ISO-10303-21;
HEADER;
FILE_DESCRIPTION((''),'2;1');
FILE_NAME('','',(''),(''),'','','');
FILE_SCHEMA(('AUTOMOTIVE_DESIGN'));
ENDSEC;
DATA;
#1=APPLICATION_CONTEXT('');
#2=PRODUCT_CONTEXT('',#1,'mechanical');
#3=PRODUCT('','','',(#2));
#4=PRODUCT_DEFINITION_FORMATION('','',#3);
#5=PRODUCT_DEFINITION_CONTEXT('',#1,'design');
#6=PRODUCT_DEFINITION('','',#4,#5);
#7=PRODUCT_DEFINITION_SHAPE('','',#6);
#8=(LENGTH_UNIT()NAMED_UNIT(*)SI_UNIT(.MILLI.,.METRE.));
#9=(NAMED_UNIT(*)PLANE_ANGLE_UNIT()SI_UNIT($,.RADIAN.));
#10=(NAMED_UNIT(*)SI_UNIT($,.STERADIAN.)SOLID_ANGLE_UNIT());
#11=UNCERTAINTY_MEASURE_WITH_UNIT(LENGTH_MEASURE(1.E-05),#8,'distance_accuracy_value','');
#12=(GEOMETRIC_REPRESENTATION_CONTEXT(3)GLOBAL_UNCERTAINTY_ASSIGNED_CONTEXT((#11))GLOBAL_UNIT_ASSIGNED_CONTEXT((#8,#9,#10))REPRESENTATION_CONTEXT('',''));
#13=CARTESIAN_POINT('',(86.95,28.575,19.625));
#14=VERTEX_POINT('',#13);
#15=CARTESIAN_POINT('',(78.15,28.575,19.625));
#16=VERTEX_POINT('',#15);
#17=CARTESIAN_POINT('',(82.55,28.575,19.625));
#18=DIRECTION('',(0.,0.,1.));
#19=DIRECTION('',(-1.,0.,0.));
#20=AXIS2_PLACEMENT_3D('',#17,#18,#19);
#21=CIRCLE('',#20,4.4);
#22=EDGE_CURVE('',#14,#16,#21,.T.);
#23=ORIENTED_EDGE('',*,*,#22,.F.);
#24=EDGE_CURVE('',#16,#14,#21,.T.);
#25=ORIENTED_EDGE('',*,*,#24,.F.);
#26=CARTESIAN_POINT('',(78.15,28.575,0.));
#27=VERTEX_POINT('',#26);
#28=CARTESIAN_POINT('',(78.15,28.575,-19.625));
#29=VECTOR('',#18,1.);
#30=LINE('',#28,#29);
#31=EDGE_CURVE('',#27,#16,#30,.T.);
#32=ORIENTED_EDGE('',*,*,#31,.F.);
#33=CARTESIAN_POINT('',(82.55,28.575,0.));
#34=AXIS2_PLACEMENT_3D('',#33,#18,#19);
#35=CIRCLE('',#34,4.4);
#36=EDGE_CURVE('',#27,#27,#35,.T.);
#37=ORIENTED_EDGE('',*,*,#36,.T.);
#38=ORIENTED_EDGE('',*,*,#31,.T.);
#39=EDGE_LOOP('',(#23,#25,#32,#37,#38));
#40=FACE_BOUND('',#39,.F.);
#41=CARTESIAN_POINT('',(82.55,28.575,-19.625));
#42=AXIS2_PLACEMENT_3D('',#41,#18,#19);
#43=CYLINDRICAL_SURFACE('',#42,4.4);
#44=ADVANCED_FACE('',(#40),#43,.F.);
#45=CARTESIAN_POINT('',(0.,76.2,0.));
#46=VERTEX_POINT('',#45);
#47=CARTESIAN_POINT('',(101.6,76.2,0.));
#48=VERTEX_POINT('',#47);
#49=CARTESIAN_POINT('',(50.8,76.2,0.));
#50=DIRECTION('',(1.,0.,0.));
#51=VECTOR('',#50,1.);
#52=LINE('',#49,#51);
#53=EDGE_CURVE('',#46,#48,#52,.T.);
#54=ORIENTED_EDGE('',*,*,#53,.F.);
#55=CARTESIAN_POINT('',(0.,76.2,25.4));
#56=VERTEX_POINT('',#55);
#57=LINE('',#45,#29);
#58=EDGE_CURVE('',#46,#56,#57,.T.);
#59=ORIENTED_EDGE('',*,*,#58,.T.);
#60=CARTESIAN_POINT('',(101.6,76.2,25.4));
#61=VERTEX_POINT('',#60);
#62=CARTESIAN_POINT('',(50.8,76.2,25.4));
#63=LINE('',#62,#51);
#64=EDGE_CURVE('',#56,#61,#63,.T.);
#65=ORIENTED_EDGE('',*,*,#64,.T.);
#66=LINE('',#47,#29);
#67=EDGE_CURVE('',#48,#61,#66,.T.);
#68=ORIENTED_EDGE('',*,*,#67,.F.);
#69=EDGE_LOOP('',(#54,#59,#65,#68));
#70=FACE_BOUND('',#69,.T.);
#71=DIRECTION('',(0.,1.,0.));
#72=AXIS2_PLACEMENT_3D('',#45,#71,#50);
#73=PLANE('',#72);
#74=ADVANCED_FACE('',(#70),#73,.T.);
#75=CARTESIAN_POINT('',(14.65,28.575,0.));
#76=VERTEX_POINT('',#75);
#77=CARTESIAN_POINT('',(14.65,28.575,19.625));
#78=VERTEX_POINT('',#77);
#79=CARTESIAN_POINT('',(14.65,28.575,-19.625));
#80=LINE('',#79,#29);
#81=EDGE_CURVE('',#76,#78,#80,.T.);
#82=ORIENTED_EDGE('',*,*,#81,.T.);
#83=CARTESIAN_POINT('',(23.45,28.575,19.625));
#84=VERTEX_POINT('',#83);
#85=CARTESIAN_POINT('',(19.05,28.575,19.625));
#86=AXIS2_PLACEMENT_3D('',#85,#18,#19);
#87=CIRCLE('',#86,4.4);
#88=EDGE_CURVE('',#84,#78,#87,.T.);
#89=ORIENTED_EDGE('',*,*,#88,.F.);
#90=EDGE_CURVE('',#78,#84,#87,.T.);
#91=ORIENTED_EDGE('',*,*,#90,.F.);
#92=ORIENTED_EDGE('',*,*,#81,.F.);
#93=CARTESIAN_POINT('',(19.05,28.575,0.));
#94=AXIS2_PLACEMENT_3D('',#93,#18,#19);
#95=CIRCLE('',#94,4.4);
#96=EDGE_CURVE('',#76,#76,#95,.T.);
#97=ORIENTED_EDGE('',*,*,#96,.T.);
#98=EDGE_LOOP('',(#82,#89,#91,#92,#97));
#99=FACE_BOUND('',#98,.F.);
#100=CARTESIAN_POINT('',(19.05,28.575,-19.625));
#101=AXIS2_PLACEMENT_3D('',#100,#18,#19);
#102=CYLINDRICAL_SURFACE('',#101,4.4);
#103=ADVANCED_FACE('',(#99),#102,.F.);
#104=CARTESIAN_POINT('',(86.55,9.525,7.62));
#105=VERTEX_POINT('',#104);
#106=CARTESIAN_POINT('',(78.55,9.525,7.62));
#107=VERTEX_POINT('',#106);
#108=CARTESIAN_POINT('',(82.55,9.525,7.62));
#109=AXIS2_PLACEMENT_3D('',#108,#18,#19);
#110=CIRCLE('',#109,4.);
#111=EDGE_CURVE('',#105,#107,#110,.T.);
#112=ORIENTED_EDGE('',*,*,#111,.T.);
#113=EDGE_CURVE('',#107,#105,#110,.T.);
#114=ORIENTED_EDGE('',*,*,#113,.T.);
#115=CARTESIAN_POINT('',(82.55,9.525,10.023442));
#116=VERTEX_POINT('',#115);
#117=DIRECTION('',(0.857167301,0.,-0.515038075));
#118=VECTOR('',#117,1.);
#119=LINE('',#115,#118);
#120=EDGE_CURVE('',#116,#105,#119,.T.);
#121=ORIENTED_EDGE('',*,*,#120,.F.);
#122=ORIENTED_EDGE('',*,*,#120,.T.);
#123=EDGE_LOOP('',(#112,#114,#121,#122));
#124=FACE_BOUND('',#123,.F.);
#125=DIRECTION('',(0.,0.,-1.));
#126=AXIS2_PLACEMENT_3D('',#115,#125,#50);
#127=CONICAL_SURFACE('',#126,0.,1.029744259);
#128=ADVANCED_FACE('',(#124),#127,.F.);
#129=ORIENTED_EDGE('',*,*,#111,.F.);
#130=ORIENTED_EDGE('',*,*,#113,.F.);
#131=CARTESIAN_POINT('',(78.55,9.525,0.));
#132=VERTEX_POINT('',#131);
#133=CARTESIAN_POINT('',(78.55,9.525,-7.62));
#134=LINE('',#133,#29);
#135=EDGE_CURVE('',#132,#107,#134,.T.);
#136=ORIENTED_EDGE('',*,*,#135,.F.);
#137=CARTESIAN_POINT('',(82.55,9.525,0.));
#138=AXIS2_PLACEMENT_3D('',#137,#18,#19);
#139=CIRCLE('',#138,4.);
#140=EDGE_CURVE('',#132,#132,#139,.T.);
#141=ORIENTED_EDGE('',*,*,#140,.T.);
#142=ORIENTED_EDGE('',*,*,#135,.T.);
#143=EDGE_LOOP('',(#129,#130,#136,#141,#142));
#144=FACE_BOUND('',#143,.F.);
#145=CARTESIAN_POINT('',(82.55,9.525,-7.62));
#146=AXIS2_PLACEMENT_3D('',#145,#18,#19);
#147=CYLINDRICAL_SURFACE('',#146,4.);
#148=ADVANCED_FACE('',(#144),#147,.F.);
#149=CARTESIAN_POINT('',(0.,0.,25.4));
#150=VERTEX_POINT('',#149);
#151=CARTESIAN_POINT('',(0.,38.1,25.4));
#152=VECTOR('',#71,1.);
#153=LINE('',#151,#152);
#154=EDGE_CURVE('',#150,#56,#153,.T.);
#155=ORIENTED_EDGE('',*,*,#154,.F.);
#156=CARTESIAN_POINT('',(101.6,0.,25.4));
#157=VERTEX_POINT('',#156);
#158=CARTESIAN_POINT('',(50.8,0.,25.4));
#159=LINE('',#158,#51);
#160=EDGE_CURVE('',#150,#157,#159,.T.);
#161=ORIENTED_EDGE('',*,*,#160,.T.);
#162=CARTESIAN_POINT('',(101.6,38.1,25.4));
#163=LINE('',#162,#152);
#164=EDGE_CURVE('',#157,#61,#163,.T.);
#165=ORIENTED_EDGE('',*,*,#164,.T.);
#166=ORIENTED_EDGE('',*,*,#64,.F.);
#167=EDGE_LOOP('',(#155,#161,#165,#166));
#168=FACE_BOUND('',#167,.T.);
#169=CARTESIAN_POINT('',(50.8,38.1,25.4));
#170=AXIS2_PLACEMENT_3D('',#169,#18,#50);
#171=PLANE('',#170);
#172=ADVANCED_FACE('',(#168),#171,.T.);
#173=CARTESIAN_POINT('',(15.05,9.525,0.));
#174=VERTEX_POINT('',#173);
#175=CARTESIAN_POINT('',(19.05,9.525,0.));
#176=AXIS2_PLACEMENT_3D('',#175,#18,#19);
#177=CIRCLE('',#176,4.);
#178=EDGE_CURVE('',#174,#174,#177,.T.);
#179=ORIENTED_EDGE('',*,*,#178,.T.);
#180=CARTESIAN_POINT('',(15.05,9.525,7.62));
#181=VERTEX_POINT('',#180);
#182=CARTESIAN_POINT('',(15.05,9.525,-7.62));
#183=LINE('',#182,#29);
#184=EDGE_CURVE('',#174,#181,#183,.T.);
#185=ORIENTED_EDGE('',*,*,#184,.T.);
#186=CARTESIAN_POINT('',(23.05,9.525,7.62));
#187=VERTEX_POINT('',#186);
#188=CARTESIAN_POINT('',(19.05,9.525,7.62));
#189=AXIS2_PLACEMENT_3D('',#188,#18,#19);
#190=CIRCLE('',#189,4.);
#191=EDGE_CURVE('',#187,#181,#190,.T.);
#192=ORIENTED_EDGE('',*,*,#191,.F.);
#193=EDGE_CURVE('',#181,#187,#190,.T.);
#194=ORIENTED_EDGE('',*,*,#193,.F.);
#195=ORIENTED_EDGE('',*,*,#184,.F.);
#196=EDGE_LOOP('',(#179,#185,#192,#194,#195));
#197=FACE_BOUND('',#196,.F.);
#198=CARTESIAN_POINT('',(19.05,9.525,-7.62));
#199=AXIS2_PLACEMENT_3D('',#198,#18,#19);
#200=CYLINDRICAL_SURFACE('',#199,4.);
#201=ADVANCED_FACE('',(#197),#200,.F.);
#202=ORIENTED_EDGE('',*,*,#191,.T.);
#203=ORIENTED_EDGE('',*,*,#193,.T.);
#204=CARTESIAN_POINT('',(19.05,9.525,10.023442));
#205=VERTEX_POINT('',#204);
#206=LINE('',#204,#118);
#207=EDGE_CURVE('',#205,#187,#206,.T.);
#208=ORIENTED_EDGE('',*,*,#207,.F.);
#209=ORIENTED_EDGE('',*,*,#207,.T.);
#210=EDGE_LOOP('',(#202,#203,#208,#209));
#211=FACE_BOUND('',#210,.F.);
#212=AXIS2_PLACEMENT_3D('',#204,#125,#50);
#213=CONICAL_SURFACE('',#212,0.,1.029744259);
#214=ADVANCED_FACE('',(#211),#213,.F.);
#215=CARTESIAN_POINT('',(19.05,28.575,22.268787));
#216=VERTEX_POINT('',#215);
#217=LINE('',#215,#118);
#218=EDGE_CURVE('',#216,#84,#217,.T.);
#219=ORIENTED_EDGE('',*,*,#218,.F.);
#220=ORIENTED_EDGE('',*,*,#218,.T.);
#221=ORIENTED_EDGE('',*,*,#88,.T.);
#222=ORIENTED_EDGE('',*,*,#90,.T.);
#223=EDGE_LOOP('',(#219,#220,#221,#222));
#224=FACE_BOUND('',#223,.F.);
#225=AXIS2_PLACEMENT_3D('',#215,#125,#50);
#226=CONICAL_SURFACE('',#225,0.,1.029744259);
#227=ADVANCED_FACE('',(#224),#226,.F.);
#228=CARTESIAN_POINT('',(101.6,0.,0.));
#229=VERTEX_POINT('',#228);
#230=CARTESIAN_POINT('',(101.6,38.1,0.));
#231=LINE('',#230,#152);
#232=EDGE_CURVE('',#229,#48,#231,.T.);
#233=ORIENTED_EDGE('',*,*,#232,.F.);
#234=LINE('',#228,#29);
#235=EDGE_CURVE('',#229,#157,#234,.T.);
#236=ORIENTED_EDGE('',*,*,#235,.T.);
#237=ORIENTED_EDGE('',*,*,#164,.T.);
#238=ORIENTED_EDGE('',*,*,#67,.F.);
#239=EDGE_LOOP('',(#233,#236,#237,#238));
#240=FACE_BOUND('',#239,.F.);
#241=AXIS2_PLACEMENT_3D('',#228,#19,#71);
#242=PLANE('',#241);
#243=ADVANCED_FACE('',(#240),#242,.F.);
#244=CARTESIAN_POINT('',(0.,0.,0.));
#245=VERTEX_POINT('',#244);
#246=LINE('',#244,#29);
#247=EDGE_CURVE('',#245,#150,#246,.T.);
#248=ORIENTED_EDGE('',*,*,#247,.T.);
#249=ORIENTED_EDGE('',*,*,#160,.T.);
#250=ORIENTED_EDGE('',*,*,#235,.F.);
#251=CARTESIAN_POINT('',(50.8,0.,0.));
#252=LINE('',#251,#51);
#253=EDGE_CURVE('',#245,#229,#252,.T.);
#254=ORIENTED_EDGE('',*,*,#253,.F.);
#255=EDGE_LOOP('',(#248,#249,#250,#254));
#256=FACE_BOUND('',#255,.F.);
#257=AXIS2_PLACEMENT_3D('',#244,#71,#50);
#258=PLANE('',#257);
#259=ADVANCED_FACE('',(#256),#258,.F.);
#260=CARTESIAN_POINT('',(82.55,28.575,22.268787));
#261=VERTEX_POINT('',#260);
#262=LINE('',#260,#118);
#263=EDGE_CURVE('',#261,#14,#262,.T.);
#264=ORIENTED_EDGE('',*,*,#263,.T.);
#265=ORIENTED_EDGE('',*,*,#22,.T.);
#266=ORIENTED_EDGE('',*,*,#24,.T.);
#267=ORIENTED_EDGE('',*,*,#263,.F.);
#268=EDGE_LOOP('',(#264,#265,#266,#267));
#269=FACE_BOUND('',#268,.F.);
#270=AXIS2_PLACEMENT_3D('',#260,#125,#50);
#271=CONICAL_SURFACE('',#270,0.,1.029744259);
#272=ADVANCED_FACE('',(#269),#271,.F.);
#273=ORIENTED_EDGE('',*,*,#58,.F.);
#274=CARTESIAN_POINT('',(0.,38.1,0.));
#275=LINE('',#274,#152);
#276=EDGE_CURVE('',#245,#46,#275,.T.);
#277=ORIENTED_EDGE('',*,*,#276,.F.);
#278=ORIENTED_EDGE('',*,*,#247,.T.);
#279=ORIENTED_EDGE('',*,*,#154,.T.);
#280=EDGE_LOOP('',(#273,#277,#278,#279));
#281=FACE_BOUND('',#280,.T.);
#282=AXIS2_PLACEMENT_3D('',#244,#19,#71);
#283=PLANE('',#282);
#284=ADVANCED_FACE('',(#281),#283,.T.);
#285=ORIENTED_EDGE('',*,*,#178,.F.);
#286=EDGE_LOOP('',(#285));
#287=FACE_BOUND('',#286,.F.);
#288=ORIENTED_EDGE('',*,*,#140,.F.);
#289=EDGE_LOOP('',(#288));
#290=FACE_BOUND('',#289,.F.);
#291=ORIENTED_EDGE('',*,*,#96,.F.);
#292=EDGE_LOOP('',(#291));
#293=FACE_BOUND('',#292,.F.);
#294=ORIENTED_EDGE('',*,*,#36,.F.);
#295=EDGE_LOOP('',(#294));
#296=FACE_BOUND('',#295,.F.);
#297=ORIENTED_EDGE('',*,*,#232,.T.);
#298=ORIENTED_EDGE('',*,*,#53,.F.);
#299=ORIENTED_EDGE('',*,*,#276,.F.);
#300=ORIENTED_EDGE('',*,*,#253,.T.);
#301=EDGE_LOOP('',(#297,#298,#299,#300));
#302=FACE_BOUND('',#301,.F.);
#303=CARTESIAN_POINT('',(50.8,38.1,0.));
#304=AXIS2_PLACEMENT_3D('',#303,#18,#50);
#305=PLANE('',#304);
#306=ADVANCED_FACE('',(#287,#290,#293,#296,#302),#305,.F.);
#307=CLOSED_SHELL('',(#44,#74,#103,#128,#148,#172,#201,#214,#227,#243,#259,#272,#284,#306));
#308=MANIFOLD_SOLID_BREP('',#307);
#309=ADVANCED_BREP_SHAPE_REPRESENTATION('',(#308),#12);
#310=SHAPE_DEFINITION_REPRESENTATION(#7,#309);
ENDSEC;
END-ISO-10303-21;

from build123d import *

# Parameters (mm, degrees)
F0_W     = 101.6
F0_H     = 76.2
F1_DEPTH = 25.4
F2_D     = 8.8
F2_DEPTH = 19.625
F2_TIP   = 2.6437867237
F3_D     = 8
F3_DEPTH = 7.62
F3_TIP   = 2.4034424761


with BuildPart() as f1:
    # F0 (on Top) → F1 (new body)
    with BuildSketch(Plane.XY):
        with Locations((50.8, 38.1)):
            Rectangle(F0_W, F0_H)
    extrude(amount=F1_DEPTH)

    # F2
    with Locations(Plane(origin=(0, 0, 0), x_dir=(1, 0, 0), z_dir=(0, 0, -1))):
        with Locations((19.05, -28.575), (82.55, -28.575)):
            Hole(F2_D / 2, depth=F2_DEPTH)
            with Locations((0, 0, -(F2_DEPTH + F2_TIP / 2))):  # 118° drill point
                Cone(0, F2_D / 2, F2_TIP, mode=Mode.SUBTRACT)

    # F3
    with Locations(Plane(origin=(0, 0, 0), x_dir=(1, 0, 0), z_dir=(0, 0, -1))):
        with Locations((82.55, -9.525), (19.05, -9.525)):
            Hole(F3_D / 2, depth=F3_DEPTH)
            with Locations((0, 0, -(F3_DEPTH + F3_TIP / 2))):  # 118° drill point
                Cone(0, F3_D / 2, F3_TIP, mode=Mode.SUBTRACT)


solid = f1.part
